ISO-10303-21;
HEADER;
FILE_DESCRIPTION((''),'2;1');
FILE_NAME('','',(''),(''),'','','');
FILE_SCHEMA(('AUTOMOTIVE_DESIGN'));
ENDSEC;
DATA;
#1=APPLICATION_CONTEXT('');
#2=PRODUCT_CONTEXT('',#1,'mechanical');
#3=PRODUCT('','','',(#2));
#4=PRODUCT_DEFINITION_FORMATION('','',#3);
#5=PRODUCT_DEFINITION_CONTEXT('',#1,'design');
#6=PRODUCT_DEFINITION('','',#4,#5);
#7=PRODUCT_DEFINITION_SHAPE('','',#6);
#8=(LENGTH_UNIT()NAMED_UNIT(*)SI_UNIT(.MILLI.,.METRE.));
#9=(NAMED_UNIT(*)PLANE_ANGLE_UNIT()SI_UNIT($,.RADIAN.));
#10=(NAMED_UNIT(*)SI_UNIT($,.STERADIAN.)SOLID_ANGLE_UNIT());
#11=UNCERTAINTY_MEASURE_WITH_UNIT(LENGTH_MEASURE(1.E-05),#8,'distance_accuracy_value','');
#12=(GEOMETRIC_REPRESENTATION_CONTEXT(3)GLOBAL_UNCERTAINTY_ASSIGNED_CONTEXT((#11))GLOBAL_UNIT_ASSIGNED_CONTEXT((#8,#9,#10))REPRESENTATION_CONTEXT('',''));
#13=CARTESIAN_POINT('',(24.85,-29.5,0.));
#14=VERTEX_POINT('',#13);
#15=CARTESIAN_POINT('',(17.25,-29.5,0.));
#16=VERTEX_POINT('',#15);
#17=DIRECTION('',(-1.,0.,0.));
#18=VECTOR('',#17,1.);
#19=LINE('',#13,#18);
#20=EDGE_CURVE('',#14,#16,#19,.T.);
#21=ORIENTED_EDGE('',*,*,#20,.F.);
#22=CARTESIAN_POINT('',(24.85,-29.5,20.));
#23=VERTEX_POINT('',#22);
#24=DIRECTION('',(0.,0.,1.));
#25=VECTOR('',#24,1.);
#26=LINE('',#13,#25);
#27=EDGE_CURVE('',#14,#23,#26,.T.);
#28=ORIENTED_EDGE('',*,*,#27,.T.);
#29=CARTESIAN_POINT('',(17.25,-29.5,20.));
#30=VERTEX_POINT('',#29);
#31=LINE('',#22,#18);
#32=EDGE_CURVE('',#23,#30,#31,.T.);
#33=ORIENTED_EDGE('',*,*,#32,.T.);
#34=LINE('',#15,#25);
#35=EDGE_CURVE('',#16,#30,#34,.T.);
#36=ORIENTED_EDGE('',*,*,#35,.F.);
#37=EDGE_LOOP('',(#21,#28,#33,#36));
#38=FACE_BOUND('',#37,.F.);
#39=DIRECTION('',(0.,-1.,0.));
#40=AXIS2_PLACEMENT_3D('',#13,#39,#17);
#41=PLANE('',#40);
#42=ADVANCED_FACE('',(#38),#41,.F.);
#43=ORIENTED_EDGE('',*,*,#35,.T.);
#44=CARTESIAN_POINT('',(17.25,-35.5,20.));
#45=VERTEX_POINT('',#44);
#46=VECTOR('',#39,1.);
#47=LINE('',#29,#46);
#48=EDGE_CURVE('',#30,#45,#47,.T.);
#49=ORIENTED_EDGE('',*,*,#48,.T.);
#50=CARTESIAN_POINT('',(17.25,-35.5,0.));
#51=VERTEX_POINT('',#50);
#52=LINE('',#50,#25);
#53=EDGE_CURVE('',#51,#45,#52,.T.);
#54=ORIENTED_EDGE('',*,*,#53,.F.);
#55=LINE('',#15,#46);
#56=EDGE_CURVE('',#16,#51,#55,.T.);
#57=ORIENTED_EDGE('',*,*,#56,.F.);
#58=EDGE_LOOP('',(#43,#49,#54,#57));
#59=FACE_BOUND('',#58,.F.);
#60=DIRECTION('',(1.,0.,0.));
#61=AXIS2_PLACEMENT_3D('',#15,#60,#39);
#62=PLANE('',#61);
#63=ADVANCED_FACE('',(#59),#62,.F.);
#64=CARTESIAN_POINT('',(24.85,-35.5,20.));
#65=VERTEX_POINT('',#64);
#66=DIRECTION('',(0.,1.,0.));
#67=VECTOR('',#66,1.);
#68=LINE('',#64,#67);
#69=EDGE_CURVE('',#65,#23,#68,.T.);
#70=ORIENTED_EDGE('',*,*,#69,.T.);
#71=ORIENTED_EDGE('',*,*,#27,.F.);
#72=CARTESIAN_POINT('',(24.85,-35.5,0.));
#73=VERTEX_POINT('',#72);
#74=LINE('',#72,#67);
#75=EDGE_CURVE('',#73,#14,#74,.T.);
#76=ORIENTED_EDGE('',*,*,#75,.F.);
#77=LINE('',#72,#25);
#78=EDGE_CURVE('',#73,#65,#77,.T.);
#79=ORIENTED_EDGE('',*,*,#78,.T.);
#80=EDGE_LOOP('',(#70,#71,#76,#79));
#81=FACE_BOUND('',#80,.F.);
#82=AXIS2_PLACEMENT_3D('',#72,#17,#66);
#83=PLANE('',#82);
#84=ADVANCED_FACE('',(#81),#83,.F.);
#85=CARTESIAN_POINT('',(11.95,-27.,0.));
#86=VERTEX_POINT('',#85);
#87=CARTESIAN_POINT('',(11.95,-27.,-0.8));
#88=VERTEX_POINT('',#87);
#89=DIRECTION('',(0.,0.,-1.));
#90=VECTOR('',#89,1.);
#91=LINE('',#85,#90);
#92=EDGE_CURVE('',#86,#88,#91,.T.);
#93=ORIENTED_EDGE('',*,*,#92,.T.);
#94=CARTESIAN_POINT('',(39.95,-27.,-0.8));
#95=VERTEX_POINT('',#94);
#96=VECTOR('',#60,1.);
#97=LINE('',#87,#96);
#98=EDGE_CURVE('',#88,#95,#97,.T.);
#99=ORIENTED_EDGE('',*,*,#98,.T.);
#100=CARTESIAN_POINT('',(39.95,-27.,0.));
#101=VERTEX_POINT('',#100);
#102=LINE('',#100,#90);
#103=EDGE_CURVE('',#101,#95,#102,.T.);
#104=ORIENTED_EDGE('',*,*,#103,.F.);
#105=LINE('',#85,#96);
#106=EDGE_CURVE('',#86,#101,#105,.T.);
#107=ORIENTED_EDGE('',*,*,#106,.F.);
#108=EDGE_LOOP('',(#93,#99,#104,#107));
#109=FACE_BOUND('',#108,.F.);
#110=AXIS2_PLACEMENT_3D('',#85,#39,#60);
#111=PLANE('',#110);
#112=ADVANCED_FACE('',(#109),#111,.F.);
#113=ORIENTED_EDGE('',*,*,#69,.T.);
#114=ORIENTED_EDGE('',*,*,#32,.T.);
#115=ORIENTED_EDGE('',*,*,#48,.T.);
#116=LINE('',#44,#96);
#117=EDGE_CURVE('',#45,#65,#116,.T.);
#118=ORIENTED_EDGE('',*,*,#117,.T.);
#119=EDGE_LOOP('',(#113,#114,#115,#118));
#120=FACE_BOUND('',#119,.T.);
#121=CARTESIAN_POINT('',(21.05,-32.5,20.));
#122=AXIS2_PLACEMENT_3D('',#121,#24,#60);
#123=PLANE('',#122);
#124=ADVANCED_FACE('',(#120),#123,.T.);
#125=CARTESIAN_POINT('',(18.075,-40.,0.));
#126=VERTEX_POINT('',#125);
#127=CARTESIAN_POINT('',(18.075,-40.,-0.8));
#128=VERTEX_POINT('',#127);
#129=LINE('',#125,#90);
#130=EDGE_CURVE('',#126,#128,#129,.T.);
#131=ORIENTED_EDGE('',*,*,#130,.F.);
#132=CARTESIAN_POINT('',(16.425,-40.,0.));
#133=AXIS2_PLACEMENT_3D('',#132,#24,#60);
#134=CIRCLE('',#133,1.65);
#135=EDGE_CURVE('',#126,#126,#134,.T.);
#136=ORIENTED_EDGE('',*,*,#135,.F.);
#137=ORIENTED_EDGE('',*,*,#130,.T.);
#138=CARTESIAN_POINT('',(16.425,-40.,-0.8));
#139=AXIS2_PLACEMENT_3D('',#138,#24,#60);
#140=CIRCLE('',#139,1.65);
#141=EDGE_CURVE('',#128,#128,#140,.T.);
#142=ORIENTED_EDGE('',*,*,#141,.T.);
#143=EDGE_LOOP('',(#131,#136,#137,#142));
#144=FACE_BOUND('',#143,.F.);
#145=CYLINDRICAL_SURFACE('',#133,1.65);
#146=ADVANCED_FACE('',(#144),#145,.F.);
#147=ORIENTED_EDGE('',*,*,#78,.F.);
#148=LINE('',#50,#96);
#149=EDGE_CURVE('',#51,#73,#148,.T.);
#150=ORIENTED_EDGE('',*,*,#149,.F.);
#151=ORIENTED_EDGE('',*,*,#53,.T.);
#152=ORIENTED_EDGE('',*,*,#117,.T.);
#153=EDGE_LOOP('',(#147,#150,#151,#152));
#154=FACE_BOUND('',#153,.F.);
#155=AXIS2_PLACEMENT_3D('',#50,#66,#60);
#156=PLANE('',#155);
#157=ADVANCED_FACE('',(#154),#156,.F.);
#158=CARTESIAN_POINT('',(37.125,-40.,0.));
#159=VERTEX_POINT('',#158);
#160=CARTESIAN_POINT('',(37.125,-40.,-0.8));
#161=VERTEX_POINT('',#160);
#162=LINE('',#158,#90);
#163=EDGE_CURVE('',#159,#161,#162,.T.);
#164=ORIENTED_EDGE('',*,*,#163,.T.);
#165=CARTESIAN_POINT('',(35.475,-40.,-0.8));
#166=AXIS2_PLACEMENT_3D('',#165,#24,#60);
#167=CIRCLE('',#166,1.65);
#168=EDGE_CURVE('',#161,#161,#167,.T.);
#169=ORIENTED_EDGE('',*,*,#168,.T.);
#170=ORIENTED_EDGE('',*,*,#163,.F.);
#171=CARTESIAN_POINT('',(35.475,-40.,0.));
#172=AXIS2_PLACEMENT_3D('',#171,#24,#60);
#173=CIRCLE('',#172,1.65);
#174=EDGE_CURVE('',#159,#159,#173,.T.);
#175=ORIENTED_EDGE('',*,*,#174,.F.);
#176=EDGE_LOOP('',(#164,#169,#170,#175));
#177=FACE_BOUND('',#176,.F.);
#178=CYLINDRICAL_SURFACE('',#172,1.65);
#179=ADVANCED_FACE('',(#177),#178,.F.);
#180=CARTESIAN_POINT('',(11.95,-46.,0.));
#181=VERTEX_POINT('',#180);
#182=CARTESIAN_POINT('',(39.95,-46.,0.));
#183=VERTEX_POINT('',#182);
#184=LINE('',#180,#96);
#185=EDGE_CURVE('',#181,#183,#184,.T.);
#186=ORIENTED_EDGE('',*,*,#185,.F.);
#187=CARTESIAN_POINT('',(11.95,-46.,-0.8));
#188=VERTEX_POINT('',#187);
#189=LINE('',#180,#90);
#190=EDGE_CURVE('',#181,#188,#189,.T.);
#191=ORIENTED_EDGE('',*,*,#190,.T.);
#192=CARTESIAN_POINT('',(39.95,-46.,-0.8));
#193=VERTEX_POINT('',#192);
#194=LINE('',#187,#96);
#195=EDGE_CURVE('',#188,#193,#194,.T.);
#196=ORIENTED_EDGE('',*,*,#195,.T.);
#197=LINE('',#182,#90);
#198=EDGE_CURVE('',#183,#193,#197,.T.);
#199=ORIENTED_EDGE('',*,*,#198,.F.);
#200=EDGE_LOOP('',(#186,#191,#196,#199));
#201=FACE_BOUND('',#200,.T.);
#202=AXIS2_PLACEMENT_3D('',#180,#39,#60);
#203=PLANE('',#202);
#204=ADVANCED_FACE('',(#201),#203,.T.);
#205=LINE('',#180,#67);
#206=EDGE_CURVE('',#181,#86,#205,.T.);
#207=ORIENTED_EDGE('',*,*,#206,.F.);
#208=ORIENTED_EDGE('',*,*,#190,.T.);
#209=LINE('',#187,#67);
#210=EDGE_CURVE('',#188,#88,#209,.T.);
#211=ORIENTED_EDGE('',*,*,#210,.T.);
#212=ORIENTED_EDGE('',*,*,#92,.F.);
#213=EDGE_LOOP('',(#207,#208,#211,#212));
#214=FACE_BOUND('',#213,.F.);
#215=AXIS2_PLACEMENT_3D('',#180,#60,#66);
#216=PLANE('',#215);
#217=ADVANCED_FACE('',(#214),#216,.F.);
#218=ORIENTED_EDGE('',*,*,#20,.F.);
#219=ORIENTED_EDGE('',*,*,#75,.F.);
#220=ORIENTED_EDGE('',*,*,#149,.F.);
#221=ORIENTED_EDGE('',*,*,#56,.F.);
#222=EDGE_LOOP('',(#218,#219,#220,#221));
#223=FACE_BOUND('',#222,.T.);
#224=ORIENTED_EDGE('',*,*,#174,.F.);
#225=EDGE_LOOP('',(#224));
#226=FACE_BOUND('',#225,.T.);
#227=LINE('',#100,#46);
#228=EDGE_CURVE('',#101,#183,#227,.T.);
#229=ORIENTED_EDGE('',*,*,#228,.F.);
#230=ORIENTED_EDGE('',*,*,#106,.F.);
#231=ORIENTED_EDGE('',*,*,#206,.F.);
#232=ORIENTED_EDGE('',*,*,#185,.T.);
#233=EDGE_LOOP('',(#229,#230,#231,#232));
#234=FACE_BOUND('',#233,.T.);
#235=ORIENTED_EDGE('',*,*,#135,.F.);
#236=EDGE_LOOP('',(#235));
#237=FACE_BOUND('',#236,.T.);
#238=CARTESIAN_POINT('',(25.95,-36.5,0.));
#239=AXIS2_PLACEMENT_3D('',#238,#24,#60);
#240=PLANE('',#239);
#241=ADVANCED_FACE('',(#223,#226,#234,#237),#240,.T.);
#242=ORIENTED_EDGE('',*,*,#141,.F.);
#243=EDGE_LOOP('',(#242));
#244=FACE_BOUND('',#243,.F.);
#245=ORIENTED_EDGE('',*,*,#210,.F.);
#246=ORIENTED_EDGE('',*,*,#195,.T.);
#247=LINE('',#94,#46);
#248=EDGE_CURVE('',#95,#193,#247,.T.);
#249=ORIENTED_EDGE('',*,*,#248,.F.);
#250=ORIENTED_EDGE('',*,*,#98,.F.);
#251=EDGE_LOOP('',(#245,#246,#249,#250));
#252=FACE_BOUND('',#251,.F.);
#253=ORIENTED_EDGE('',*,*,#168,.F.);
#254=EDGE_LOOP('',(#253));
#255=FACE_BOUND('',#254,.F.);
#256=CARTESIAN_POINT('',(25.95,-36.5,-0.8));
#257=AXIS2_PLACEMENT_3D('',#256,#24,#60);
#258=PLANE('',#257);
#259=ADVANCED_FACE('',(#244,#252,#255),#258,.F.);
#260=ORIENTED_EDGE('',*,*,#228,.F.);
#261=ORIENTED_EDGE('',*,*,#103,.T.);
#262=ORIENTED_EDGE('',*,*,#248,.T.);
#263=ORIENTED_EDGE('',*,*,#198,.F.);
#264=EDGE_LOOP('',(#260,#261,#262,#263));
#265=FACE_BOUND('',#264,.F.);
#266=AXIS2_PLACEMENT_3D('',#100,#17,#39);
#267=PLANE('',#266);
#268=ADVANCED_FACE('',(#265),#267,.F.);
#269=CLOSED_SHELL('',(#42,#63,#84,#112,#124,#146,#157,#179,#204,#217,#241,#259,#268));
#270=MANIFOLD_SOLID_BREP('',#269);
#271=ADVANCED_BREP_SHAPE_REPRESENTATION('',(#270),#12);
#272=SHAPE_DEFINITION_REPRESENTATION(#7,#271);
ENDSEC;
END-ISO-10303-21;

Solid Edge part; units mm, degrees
sketch "Sketch1" plane through (0, 0, 0) normal (0, 0, 1) x (1, 0, 0)
  circle A0 centre (35.475, -40) radius 1.65
  circle A1 centre (16.425, -40) radius 1.65
  line L0 (11.95, -46) -> (39.95, -46)
  line L1 (39.95, -27) -> (39.95, -46)
  line L2 (11.95, -27) -> (39.95, -27)
  line L3 (11.95, -46) -> (11.95, -27)
  dimension "D1" = 19.05
extrude "Protrusion1" add sketch "Sketch1" against normal blind 0.8
sketch "Sketch2" plane through (25.95, -36.5, 0) normal (0, 0, 1) x (1, 0, 0)
  line L0 (-8.7, 1) -> (-1.1, 1)
  line L1 (-1.1, 1) -> (-1.1, 7)
  line L2 (-1.1, 7) -> (-8.7, 7)
  line L3 (-8.7, 7) -> (-8.7, 1)
  dimension "D1" = 6
  dimension "D2" = 7.6
  dimension "D3" = 2.5
  dimension "D4" = 5.3
extrude "ExtrudedProtrusion_2" add sketch "Sketch2" along normal blind 20
properties material "Epoxy, cast rigid"
